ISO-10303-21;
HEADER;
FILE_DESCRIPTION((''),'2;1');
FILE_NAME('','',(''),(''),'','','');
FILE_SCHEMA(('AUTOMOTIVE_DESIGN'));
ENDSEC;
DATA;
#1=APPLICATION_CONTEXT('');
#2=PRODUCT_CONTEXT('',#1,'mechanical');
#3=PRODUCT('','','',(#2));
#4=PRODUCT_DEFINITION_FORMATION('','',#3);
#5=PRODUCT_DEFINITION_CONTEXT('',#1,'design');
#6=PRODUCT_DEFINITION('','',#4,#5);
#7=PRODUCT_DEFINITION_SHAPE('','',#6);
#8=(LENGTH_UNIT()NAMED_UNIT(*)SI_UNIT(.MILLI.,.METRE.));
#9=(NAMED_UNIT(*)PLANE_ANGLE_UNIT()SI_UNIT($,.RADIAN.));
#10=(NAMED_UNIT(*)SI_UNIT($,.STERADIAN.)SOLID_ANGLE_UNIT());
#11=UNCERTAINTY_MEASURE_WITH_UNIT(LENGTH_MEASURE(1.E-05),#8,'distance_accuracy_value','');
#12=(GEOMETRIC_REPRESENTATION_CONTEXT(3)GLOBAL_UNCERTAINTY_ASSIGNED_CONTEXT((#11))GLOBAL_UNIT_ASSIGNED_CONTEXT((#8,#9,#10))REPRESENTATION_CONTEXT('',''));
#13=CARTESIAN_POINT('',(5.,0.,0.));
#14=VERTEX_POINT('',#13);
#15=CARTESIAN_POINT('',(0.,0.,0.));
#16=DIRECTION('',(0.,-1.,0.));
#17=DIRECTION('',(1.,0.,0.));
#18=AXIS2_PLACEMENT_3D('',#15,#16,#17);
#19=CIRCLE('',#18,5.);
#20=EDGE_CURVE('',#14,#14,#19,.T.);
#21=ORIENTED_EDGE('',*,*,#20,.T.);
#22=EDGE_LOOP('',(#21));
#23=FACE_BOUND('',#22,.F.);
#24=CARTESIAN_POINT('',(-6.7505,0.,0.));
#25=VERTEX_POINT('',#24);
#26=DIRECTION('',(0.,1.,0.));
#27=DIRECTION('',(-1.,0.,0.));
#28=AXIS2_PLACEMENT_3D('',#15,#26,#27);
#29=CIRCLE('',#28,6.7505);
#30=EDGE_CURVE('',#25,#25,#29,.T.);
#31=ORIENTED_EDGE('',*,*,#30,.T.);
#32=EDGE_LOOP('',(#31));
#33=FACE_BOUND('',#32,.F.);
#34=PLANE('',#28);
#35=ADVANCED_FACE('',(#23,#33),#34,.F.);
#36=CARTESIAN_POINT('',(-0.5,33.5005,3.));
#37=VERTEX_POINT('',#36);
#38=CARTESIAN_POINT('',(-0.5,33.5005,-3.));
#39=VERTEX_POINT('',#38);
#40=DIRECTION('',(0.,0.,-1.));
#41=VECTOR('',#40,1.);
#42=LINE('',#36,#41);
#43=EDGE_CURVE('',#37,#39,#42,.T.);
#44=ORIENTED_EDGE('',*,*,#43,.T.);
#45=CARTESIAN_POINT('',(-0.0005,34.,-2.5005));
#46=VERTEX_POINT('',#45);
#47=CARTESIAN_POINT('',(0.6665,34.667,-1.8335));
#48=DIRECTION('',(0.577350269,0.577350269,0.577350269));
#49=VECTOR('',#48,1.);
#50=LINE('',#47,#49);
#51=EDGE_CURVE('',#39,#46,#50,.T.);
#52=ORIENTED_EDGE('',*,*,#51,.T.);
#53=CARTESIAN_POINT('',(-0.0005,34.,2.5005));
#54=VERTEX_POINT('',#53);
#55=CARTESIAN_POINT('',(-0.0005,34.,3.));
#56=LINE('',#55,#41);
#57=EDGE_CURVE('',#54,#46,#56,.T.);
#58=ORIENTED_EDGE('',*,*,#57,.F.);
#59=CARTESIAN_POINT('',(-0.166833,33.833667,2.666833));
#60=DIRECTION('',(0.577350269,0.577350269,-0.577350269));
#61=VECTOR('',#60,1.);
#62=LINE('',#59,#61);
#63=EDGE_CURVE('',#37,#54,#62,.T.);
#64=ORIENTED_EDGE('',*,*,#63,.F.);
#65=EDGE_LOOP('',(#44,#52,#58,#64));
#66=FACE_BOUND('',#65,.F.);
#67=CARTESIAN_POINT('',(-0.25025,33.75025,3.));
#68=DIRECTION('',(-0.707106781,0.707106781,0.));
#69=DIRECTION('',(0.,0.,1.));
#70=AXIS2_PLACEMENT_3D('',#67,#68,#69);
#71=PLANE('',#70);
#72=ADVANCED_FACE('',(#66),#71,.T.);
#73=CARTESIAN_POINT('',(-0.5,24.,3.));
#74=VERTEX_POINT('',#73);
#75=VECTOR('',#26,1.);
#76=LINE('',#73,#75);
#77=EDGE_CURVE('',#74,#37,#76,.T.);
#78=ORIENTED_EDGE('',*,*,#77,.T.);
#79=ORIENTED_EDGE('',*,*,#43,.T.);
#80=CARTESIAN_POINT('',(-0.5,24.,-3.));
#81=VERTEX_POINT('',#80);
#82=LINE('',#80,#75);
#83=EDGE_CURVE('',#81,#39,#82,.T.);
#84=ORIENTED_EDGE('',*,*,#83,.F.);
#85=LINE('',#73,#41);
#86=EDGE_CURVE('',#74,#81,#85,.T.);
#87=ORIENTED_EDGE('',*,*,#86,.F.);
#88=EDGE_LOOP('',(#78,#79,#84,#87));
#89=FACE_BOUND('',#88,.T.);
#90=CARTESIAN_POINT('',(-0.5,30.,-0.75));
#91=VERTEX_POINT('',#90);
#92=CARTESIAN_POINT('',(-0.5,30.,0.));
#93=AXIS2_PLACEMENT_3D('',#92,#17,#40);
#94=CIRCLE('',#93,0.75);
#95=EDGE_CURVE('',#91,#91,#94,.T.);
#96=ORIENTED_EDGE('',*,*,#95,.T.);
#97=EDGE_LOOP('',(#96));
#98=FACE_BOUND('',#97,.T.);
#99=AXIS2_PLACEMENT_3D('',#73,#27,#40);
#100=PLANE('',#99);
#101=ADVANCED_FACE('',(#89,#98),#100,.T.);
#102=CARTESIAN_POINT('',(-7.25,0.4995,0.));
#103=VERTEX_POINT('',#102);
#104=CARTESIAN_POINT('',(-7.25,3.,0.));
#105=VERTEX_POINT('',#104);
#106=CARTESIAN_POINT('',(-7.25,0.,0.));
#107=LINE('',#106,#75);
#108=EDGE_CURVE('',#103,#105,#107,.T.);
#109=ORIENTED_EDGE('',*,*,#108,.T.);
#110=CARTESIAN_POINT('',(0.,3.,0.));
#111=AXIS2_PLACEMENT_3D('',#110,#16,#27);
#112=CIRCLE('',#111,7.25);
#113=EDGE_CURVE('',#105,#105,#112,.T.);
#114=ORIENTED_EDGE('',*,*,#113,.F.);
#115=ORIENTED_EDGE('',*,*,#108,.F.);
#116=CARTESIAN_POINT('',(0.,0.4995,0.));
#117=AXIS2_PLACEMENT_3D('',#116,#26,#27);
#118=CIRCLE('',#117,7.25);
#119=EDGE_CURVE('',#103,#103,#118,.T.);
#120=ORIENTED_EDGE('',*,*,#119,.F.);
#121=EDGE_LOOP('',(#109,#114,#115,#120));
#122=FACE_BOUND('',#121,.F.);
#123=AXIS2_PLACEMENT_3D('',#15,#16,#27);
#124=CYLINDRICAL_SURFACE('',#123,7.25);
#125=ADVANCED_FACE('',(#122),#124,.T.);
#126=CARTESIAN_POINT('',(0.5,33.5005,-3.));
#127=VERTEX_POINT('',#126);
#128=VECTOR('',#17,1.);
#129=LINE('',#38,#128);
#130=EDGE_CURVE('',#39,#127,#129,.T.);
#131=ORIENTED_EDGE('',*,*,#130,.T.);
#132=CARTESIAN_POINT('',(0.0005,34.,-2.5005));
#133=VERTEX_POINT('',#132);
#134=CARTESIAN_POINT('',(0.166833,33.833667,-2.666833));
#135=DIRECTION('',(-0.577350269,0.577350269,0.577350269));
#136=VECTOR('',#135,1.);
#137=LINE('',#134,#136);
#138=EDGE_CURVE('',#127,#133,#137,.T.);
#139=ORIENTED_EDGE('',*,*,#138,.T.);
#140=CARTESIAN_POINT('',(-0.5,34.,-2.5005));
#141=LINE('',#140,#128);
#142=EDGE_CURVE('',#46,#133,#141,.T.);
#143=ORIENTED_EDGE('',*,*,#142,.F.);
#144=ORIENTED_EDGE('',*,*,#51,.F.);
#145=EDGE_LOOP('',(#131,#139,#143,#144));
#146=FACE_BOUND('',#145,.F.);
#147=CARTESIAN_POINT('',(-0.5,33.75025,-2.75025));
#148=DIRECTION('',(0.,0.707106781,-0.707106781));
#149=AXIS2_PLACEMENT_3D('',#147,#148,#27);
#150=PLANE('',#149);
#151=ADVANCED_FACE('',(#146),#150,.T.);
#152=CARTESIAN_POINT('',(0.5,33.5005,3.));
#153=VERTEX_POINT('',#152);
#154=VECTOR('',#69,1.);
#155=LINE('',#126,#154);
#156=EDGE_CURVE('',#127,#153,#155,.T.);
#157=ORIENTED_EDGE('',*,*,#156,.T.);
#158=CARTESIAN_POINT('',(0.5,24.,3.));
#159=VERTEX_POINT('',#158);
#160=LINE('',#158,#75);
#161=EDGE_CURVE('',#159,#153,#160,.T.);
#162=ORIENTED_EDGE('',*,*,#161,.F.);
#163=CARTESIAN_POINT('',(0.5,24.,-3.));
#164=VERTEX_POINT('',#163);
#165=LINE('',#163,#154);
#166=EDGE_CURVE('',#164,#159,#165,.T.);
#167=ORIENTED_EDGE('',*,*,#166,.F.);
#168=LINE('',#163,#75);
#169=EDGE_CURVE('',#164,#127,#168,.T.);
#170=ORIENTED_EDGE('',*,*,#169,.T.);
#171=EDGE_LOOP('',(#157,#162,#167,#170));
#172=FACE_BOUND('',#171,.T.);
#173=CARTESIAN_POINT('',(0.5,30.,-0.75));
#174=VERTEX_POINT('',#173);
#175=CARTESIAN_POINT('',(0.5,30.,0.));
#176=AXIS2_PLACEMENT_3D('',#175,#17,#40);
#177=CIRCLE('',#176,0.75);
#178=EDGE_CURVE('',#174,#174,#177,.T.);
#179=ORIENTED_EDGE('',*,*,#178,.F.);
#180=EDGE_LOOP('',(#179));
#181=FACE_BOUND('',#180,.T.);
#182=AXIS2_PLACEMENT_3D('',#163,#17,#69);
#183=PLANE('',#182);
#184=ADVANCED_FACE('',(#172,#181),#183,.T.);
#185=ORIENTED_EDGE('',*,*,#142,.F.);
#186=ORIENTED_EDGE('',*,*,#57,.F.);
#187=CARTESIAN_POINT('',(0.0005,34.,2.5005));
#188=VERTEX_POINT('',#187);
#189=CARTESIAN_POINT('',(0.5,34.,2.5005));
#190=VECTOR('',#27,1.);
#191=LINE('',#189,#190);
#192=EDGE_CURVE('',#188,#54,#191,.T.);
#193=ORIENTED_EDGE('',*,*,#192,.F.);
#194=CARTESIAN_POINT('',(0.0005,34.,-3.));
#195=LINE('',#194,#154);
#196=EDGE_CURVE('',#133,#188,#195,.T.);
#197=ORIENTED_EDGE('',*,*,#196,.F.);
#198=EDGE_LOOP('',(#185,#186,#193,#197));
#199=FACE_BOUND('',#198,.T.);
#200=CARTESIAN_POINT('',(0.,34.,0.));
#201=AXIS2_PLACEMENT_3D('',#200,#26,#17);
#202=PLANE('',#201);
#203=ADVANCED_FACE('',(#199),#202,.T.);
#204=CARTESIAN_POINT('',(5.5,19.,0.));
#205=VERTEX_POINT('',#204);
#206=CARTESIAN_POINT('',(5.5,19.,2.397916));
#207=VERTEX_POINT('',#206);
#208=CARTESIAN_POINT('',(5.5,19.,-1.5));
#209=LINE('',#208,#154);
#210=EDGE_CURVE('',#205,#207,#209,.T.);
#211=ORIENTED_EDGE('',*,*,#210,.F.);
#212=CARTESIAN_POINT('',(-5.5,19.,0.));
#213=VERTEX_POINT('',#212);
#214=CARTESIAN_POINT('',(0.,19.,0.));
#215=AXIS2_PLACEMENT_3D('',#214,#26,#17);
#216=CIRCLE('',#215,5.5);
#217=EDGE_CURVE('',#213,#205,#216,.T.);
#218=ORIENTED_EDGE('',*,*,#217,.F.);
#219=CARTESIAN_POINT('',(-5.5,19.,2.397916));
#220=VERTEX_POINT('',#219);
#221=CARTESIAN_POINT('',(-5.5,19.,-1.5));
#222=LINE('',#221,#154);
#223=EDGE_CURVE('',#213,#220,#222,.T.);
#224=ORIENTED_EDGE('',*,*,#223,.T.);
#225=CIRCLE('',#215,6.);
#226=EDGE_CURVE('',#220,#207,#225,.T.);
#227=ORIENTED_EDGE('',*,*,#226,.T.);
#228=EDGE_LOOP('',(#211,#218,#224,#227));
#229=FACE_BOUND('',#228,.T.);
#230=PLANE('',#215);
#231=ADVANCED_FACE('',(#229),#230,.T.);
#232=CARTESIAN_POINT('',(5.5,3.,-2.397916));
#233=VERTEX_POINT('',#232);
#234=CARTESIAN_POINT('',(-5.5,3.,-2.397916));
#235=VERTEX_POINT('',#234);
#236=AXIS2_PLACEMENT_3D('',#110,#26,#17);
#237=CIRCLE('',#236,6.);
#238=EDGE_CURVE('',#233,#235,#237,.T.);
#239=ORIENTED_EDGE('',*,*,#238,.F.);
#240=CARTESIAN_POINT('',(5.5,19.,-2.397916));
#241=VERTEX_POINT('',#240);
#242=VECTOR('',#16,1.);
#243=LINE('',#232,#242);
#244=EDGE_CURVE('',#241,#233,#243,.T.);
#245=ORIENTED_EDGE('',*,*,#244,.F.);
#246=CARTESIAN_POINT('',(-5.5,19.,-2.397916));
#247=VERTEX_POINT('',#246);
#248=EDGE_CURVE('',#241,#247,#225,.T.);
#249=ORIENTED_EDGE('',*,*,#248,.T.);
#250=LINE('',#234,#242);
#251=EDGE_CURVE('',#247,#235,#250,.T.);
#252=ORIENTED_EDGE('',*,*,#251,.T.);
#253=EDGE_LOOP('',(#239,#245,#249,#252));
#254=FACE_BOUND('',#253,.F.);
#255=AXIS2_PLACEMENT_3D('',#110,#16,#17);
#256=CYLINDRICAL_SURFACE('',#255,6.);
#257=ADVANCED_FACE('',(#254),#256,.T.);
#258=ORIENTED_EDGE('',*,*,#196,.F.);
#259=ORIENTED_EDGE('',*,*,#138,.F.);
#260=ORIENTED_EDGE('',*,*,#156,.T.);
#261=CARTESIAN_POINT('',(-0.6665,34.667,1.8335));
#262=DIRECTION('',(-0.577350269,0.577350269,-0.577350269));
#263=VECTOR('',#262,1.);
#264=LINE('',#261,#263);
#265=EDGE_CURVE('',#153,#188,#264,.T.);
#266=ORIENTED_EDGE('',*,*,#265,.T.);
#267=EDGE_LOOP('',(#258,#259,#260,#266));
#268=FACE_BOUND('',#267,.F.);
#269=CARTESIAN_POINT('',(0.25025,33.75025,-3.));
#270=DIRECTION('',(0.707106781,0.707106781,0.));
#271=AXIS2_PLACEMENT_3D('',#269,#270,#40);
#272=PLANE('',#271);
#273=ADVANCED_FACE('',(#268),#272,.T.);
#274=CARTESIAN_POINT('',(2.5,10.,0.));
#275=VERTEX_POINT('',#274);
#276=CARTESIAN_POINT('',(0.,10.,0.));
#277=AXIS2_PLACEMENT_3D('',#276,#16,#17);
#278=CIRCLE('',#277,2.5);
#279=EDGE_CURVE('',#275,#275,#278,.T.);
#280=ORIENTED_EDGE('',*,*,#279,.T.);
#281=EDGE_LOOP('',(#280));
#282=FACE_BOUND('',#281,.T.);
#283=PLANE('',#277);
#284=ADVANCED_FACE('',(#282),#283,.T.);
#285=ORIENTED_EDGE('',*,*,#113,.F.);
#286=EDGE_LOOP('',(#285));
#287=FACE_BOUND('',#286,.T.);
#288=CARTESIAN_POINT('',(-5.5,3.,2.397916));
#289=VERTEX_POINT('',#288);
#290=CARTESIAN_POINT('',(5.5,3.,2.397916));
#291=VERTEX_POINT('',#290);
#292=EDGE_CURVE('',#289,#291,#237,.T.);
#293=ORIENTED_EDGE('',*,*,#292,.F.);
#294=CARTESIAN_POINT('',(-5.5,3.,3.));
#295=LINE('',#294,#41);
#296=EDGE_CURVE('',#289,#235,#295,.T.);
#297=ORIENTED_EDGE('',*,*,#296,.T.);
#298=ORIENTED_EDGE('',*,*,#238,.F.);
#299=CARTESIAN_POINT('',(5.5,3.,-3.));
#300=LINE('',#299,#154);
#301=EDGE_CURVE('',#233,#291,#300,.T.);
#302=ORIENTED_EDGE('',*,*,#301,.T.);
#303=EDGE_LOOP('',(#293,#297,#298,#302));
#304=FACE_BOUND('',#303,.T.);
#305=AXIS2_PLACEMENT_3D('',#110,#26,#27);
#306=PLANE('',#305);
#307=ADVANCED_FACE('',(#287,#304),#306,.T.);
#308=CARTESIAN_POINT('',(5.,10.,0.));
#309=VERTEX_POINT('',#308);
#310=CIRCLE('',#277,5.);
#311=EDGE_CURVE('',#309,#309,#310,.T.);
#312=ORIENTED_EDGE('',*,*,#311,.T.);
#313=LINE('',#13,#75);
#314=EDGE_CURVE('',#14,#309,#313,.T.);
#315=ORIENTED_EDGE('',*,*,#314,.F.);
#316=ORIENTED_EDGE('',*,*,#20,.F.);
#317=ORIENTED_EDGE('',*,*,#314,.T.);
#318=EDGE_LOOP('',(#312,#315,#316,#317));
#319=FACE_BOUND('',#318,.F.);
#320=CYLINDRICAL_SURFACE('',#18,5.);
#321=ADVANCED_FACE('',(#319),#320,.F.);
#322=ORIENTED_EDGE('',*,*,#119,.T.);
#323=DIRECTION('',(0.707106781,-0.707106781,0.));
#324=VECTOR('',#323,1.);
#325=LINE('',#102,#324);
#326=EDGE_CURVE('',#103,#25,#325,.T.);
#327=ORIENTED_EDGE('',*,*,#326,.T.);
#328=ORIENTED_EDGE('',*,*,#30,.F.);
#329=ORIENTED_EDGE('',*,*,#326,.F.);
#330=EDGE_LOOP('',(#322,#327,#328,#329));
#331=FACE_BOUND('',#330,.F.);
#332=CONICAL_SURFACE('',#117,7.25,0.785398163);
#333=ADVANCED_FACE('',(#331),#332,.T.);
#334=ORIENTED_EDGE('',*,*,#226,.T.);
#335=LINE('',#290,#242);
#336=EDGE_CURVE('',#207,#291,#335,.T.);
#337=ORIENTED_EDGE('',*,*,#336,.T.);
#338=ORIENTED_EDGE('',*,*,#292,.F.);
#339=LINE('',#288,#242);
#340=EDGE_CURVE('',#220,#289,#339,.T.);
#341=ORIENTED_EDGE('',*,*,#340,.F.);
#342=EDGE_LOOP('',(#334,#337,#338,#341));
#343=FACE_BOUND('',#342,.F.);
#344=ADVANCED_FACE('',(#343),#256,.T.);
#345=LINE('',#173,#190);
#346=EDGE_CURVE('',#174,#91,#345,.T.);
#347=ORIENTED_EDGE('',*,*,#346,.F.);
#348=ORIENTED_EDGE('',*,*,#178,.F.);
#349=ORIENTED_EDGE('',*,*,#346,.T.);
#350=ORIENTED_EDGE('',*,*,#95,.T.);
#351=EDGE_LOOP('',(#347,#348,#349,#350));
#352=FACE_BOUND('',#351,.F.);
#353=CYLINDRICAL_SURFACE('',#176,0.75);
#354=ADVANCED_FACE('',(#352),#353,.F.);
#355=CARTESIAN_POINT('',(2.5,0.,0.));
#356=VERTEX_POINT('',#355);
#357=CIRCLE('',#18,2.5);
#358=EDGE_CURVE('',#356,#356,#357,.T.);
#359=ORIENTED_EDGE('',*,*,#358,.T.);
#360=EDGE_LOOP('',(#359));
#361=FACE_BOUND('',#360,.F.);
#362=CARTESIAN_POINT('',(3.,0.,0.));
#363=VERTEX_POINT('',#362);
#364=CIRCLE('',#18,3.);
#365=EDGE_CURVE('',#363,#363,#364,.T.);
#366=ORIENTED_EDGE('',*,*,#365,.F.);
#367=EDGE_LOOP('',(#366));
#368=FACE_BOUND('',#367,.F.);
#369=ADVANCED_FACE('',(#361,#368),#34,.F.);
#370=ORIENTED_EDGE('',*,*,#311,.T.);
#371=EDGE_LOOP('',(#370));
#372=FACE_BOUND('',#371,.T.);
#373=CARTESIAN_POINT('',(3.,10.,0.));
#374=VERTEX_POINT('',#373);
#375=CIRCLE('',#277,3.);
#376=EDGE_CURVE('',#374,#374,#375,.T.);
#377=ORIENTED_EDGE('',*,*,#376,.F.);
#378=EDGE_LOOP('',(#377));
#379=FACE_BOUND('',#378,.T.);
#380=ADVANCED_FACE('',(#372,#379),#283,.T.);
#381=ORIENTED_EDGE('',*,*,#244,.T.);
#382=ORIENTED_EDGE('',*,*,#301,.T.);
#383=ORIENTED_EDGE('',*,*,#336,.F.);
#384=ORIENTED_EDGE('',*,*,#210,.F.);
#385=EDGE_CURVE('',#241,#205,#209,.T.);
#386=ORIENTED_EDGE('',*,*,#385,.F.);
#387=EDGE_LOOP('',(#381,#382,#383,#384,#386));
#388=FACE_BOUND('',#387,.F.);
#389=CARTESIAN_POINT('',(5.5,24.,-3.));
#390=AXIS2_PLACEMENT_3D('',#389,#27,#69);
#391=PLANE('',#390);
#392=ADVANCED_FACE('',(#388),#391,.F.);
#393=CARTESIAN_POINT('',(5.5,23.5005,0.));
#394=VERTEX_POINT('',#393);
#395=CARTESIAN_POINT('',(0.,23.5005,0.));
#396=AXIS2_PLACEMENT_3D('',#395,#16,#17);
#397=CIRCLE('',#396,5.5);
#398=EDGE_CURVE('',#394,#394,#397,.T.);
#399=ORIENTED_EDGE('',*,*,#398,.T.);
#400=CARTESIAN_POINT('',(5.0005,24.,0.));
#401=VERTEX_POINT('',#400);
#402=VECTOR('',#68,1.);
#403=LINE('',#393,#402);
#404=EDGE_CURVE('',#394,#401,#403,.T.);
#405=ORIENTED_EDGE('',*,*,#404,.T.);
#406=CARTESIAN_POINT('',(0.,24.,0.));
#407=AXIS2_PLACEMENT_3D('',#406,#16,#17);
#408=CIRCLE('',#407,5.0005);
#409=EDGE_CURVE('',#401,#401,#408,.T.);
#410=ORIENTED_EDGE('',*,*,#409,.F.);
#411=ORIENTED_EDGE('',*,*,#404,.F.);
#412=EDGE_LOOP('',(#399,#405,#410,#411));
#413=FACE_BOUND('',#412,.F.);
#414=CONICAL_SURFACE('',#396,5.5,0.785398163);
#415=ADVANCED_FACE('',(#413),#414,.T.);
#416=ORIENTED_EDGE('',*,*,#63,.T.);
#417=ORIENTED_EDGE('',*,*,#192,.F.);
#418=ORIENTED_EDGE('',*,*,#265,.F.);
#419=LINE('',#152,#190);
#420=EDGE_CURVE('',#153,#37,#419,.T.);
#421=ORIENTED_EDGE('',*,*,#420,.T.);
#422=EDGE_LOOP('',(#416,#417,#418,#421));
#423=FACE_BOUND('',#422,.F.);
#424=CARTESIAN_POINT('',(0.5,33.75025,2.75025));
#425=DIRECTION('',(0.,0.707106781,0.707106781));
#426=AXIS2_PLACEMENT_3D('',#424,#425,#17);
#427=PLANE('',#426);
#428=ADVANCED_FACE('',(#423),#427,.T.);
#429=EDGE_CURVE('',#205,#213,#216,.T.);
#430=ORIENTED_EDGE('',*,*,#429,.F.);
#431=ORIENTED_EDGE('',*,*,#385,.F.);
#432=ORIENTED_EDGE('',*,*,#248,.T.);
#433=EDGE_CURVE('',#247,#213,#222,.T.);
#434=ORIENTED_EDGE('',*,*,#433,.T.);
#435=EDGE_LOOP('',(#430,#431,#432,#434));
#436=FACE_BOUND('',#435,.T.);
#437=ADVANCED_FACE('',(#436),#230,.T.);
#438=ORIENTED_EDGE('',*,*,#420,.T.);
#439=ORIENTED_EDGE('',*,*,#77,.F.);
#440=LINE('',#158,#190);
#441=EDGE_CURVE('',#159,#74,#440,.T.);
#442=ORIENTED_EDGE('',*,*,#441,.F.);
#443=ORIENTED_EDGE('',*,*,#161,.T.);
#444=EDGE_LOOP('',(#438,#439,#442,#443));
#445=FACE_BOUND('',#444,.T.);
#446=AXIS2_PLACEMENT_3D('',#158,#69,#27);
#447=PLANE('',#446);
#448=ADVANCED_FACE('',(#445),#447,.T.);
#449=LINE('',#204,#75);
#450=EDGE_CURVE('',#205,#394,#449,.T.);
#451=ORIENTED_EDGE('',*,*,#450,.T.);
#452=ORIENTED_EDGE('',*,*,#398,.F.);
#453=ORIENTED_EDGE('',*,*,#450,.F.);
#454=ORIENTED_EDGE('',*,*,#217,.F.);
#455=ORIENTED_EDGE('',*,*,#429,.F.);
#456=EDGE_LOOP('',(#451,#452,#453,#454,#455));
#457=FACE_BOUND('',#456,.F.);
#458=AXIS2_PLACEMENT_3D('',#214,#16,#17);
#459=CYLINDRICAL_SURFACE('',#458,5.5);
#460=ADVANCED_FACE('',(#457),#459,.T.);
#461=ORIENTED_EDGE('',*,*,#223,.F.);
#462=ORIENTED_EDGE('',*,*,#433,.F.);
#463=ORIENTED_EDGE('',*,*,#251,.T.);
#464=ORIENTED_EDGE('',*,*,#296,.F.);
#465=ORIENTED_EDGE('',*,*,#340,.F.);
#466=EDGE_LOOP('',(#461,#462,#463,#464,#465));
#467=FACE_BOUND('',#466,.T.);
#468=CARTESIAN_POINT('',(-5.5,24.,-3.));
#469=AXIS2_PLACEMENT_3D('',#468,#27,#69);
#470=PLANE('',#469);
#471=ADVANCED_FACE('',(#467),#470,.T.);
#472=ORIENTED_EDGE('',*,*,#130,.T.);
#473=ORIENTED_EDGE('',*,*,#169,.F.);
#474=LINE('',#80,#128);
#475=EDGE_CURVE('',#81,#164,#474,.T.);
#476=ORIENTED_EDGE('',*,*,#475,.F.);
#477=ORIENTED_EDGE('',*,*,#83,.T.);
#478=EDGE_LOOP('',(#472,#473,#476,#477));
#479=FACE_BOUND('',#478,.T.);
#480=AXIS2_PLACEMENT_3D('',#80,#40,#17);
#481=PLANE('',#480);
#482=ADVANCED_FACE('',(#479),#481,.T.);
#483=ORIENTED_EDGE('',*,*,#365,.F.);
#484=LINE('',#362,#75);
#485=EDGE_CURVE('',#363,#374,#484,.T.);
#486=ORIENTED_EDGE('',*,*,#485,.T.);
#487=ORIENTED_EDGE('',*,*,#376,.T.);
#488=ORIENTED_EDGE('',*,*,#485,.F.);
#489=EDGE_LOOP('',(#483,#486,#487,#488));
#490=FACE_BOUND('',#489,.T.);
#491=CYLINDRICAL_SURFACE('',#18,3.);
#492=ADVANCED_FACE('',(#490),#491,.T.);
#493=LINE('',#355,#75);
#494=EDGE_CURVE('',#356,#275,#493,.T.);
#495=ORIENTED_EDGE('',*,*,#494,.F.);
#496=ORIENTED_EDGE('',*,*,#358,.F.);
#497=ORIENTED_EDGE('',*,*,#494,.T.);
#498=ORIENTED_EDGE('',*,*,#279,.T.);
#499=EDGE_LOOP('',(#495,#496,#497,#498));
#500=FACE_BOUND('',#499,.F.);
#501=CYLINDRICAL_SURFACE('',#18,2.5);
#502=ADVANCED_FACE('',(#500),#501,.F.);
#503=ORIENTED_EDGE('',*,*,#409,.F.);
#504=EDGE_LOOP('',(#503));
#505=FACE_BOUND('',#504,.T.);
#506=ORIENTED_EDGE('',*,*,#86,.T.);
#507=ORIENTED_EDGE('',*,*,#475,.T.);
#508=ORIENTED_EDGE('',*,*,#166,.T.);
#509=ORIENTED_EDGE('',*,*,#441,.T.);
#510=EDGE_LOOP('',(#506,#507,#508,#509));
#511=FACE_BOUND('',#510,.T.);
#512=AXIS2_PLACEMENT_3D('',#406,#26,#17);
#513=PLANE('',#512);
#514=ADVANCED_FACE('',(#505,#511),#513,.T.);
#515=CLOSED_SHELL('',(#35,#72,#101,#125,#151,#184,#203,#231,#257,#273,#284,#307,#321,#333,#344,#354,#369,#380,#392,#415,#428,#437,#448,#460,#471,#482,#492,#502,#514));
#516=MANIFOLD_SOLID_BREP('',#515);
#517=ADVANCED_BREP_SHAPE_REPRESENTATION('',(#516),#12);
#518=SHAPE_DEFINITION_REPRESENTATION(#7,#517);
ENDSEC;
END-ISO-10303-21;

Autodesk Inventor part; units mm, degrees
ref_plane "YZ Plane" through (0, 0, 0) normal (1, 0, 0) x (0, 1, 0)
ref_plane "XZ Plane" through (0, 0, 0) normal (0, 1, 0) x (-1, 0, 0)
ref_plane "XY Plane" through (0, 0, 0) normal (0, 0, 1) x (1, 0, 0)
sketch "Esquisse1" plane through (0, 0, 0) normal (0, 1, 0) x (-1, 0, 0)
  circle A0 centre (0, 0) radius 7.25
  dimension "d0" = 14.5
extrude "Extrusion1" add sketch "Esquisse1" along normal blind 3
sketch "Esquisse2" plane through (0, 3, 0) normal (0, 1, 0) x (1, 0, 0)
  circle A0 centre (0, 0) radius 6
  dimension "d3" = 12
extrude "Extrusion2" add sketch "Esquisse2" along normal blind 16
sketch "Esquisse3" plane through (0, 19, 0) normal (0, 1, 0) x (1, 0, 0)
  circle A0 centre (0, 0) radius 5.5
  dimension "d6" = 11
extrude "Extrusion3" add sketch "Esquisse3" along normal blind 5
thread "Filetage1" size "M12x0.5" class "6g" standard "ANSI Metric M Profile" full length
sketch "Esquisse4" plane through (0, 24, 0) normal (0, 1, 0) x (1, 0, 0)
  line L0 (-7.5, 3) -> (-5.5, 3)
  line L1 (-5.5, 3) -> (-5.5, -3)
  line L2 (-5.5, -3) -> (-7.5, -3)
  line L3 (-7.5, -3) -> (-7.5, 3)
  line L4 (7.5, 3) -> (5.5, 3)
  line L5 (5.5, 3) -> (5.5, -3)
  line L6 (5.5, -3) -> (7.5, -3)
  line L7 (7.5, -3) -> (7.5, 3)
  circle A0 centre (0, 0) radius 5.5 projected
  circle A1 centre (0, 0) radius 5.5 projected
  point P0 (-5.5, 0)
  point P1 (5.5, 0)
  dimension "d11" = 2
  dimension "d12" = 11
  dimension "d13" = 5.5
  dimension "d14" = 5.5
  dimension "d15" = 11
  dimension "d16" = 2
  dimension "d17" = 6
  dimension "d18" = 3
extrude "Extrusion4" cut sketch "Esquisse4" against normal blind 21 contours L5 L4 L7 L6 | L0 L1 L2 L3
sketch "Esquisse5" plane through (0, 24, 0) normal (0, 1, 0) x (1, 0, 0)
  line L0 (-0.5, 3) -> (0.5, 3)
  line L1 (0.5, 3) -> (0.5, -3)
  line L2 (0.5, -3) -> (-0.5, -3)
  line L3 (-0.5, -3) -> (-0.5, 3)
  point P0 (0, 0)
  dimension "d21" = 1
  dimension "d22" = 0.5
  dimension "d23" = 6
  dimension "d24" = 3
extrude "Extrusion5" add sketch "Esquisse5" along normal blind 10
sketch "Esquisse6" plane through (0, 0, 0) normal (0, -1, 0) x (1, 0, 0)
  circle A0 centre (0, 0) radius 5
  circle A1 centre (0, 0) radius 3
  circle A2 centre (0, 0) radius 2.5
  dimension "d27" = 10
  dimension "d28" = 6
  dimension "d29" = 5
extrude "Extrusion6" cut sketch "Esquisse6" against normal blind 10
chamfer "Chanfrein1" distance 0.5 angle 45 6 edges at (7.25, 0, 0) (-5.5, 24, 0) (0, 34, -3) (0, 34, 3) (0.5, 34, 0) (-0.5, 34, 0)
sketch "Esquisse7" plane through (0.5, 24, 3) normal (1, 0, 0) x (0, 0, -1)
  circle A0 centre (3, 6) radius 0.75
  line L0 (-2, 0) -> (8, 0) projected
  point P0 (3, -24)
  dimension "d35" = 1.5
  dimension "d36" = 6
extrude "Extrusion7" cut sketch "Esquisse7" against normal blind 10
equation "\"d14\" = d13"
equation "\"d15\" = d12"
equation "\"d16\" = d11"
equation "\"d18\" = 0.5 * d17"
equation "\"d22\" = 0.5 * d21"
equation "\"d24\" = 0.5 * d23"
properties part number "Prise banane" material "Plastique ABS"
